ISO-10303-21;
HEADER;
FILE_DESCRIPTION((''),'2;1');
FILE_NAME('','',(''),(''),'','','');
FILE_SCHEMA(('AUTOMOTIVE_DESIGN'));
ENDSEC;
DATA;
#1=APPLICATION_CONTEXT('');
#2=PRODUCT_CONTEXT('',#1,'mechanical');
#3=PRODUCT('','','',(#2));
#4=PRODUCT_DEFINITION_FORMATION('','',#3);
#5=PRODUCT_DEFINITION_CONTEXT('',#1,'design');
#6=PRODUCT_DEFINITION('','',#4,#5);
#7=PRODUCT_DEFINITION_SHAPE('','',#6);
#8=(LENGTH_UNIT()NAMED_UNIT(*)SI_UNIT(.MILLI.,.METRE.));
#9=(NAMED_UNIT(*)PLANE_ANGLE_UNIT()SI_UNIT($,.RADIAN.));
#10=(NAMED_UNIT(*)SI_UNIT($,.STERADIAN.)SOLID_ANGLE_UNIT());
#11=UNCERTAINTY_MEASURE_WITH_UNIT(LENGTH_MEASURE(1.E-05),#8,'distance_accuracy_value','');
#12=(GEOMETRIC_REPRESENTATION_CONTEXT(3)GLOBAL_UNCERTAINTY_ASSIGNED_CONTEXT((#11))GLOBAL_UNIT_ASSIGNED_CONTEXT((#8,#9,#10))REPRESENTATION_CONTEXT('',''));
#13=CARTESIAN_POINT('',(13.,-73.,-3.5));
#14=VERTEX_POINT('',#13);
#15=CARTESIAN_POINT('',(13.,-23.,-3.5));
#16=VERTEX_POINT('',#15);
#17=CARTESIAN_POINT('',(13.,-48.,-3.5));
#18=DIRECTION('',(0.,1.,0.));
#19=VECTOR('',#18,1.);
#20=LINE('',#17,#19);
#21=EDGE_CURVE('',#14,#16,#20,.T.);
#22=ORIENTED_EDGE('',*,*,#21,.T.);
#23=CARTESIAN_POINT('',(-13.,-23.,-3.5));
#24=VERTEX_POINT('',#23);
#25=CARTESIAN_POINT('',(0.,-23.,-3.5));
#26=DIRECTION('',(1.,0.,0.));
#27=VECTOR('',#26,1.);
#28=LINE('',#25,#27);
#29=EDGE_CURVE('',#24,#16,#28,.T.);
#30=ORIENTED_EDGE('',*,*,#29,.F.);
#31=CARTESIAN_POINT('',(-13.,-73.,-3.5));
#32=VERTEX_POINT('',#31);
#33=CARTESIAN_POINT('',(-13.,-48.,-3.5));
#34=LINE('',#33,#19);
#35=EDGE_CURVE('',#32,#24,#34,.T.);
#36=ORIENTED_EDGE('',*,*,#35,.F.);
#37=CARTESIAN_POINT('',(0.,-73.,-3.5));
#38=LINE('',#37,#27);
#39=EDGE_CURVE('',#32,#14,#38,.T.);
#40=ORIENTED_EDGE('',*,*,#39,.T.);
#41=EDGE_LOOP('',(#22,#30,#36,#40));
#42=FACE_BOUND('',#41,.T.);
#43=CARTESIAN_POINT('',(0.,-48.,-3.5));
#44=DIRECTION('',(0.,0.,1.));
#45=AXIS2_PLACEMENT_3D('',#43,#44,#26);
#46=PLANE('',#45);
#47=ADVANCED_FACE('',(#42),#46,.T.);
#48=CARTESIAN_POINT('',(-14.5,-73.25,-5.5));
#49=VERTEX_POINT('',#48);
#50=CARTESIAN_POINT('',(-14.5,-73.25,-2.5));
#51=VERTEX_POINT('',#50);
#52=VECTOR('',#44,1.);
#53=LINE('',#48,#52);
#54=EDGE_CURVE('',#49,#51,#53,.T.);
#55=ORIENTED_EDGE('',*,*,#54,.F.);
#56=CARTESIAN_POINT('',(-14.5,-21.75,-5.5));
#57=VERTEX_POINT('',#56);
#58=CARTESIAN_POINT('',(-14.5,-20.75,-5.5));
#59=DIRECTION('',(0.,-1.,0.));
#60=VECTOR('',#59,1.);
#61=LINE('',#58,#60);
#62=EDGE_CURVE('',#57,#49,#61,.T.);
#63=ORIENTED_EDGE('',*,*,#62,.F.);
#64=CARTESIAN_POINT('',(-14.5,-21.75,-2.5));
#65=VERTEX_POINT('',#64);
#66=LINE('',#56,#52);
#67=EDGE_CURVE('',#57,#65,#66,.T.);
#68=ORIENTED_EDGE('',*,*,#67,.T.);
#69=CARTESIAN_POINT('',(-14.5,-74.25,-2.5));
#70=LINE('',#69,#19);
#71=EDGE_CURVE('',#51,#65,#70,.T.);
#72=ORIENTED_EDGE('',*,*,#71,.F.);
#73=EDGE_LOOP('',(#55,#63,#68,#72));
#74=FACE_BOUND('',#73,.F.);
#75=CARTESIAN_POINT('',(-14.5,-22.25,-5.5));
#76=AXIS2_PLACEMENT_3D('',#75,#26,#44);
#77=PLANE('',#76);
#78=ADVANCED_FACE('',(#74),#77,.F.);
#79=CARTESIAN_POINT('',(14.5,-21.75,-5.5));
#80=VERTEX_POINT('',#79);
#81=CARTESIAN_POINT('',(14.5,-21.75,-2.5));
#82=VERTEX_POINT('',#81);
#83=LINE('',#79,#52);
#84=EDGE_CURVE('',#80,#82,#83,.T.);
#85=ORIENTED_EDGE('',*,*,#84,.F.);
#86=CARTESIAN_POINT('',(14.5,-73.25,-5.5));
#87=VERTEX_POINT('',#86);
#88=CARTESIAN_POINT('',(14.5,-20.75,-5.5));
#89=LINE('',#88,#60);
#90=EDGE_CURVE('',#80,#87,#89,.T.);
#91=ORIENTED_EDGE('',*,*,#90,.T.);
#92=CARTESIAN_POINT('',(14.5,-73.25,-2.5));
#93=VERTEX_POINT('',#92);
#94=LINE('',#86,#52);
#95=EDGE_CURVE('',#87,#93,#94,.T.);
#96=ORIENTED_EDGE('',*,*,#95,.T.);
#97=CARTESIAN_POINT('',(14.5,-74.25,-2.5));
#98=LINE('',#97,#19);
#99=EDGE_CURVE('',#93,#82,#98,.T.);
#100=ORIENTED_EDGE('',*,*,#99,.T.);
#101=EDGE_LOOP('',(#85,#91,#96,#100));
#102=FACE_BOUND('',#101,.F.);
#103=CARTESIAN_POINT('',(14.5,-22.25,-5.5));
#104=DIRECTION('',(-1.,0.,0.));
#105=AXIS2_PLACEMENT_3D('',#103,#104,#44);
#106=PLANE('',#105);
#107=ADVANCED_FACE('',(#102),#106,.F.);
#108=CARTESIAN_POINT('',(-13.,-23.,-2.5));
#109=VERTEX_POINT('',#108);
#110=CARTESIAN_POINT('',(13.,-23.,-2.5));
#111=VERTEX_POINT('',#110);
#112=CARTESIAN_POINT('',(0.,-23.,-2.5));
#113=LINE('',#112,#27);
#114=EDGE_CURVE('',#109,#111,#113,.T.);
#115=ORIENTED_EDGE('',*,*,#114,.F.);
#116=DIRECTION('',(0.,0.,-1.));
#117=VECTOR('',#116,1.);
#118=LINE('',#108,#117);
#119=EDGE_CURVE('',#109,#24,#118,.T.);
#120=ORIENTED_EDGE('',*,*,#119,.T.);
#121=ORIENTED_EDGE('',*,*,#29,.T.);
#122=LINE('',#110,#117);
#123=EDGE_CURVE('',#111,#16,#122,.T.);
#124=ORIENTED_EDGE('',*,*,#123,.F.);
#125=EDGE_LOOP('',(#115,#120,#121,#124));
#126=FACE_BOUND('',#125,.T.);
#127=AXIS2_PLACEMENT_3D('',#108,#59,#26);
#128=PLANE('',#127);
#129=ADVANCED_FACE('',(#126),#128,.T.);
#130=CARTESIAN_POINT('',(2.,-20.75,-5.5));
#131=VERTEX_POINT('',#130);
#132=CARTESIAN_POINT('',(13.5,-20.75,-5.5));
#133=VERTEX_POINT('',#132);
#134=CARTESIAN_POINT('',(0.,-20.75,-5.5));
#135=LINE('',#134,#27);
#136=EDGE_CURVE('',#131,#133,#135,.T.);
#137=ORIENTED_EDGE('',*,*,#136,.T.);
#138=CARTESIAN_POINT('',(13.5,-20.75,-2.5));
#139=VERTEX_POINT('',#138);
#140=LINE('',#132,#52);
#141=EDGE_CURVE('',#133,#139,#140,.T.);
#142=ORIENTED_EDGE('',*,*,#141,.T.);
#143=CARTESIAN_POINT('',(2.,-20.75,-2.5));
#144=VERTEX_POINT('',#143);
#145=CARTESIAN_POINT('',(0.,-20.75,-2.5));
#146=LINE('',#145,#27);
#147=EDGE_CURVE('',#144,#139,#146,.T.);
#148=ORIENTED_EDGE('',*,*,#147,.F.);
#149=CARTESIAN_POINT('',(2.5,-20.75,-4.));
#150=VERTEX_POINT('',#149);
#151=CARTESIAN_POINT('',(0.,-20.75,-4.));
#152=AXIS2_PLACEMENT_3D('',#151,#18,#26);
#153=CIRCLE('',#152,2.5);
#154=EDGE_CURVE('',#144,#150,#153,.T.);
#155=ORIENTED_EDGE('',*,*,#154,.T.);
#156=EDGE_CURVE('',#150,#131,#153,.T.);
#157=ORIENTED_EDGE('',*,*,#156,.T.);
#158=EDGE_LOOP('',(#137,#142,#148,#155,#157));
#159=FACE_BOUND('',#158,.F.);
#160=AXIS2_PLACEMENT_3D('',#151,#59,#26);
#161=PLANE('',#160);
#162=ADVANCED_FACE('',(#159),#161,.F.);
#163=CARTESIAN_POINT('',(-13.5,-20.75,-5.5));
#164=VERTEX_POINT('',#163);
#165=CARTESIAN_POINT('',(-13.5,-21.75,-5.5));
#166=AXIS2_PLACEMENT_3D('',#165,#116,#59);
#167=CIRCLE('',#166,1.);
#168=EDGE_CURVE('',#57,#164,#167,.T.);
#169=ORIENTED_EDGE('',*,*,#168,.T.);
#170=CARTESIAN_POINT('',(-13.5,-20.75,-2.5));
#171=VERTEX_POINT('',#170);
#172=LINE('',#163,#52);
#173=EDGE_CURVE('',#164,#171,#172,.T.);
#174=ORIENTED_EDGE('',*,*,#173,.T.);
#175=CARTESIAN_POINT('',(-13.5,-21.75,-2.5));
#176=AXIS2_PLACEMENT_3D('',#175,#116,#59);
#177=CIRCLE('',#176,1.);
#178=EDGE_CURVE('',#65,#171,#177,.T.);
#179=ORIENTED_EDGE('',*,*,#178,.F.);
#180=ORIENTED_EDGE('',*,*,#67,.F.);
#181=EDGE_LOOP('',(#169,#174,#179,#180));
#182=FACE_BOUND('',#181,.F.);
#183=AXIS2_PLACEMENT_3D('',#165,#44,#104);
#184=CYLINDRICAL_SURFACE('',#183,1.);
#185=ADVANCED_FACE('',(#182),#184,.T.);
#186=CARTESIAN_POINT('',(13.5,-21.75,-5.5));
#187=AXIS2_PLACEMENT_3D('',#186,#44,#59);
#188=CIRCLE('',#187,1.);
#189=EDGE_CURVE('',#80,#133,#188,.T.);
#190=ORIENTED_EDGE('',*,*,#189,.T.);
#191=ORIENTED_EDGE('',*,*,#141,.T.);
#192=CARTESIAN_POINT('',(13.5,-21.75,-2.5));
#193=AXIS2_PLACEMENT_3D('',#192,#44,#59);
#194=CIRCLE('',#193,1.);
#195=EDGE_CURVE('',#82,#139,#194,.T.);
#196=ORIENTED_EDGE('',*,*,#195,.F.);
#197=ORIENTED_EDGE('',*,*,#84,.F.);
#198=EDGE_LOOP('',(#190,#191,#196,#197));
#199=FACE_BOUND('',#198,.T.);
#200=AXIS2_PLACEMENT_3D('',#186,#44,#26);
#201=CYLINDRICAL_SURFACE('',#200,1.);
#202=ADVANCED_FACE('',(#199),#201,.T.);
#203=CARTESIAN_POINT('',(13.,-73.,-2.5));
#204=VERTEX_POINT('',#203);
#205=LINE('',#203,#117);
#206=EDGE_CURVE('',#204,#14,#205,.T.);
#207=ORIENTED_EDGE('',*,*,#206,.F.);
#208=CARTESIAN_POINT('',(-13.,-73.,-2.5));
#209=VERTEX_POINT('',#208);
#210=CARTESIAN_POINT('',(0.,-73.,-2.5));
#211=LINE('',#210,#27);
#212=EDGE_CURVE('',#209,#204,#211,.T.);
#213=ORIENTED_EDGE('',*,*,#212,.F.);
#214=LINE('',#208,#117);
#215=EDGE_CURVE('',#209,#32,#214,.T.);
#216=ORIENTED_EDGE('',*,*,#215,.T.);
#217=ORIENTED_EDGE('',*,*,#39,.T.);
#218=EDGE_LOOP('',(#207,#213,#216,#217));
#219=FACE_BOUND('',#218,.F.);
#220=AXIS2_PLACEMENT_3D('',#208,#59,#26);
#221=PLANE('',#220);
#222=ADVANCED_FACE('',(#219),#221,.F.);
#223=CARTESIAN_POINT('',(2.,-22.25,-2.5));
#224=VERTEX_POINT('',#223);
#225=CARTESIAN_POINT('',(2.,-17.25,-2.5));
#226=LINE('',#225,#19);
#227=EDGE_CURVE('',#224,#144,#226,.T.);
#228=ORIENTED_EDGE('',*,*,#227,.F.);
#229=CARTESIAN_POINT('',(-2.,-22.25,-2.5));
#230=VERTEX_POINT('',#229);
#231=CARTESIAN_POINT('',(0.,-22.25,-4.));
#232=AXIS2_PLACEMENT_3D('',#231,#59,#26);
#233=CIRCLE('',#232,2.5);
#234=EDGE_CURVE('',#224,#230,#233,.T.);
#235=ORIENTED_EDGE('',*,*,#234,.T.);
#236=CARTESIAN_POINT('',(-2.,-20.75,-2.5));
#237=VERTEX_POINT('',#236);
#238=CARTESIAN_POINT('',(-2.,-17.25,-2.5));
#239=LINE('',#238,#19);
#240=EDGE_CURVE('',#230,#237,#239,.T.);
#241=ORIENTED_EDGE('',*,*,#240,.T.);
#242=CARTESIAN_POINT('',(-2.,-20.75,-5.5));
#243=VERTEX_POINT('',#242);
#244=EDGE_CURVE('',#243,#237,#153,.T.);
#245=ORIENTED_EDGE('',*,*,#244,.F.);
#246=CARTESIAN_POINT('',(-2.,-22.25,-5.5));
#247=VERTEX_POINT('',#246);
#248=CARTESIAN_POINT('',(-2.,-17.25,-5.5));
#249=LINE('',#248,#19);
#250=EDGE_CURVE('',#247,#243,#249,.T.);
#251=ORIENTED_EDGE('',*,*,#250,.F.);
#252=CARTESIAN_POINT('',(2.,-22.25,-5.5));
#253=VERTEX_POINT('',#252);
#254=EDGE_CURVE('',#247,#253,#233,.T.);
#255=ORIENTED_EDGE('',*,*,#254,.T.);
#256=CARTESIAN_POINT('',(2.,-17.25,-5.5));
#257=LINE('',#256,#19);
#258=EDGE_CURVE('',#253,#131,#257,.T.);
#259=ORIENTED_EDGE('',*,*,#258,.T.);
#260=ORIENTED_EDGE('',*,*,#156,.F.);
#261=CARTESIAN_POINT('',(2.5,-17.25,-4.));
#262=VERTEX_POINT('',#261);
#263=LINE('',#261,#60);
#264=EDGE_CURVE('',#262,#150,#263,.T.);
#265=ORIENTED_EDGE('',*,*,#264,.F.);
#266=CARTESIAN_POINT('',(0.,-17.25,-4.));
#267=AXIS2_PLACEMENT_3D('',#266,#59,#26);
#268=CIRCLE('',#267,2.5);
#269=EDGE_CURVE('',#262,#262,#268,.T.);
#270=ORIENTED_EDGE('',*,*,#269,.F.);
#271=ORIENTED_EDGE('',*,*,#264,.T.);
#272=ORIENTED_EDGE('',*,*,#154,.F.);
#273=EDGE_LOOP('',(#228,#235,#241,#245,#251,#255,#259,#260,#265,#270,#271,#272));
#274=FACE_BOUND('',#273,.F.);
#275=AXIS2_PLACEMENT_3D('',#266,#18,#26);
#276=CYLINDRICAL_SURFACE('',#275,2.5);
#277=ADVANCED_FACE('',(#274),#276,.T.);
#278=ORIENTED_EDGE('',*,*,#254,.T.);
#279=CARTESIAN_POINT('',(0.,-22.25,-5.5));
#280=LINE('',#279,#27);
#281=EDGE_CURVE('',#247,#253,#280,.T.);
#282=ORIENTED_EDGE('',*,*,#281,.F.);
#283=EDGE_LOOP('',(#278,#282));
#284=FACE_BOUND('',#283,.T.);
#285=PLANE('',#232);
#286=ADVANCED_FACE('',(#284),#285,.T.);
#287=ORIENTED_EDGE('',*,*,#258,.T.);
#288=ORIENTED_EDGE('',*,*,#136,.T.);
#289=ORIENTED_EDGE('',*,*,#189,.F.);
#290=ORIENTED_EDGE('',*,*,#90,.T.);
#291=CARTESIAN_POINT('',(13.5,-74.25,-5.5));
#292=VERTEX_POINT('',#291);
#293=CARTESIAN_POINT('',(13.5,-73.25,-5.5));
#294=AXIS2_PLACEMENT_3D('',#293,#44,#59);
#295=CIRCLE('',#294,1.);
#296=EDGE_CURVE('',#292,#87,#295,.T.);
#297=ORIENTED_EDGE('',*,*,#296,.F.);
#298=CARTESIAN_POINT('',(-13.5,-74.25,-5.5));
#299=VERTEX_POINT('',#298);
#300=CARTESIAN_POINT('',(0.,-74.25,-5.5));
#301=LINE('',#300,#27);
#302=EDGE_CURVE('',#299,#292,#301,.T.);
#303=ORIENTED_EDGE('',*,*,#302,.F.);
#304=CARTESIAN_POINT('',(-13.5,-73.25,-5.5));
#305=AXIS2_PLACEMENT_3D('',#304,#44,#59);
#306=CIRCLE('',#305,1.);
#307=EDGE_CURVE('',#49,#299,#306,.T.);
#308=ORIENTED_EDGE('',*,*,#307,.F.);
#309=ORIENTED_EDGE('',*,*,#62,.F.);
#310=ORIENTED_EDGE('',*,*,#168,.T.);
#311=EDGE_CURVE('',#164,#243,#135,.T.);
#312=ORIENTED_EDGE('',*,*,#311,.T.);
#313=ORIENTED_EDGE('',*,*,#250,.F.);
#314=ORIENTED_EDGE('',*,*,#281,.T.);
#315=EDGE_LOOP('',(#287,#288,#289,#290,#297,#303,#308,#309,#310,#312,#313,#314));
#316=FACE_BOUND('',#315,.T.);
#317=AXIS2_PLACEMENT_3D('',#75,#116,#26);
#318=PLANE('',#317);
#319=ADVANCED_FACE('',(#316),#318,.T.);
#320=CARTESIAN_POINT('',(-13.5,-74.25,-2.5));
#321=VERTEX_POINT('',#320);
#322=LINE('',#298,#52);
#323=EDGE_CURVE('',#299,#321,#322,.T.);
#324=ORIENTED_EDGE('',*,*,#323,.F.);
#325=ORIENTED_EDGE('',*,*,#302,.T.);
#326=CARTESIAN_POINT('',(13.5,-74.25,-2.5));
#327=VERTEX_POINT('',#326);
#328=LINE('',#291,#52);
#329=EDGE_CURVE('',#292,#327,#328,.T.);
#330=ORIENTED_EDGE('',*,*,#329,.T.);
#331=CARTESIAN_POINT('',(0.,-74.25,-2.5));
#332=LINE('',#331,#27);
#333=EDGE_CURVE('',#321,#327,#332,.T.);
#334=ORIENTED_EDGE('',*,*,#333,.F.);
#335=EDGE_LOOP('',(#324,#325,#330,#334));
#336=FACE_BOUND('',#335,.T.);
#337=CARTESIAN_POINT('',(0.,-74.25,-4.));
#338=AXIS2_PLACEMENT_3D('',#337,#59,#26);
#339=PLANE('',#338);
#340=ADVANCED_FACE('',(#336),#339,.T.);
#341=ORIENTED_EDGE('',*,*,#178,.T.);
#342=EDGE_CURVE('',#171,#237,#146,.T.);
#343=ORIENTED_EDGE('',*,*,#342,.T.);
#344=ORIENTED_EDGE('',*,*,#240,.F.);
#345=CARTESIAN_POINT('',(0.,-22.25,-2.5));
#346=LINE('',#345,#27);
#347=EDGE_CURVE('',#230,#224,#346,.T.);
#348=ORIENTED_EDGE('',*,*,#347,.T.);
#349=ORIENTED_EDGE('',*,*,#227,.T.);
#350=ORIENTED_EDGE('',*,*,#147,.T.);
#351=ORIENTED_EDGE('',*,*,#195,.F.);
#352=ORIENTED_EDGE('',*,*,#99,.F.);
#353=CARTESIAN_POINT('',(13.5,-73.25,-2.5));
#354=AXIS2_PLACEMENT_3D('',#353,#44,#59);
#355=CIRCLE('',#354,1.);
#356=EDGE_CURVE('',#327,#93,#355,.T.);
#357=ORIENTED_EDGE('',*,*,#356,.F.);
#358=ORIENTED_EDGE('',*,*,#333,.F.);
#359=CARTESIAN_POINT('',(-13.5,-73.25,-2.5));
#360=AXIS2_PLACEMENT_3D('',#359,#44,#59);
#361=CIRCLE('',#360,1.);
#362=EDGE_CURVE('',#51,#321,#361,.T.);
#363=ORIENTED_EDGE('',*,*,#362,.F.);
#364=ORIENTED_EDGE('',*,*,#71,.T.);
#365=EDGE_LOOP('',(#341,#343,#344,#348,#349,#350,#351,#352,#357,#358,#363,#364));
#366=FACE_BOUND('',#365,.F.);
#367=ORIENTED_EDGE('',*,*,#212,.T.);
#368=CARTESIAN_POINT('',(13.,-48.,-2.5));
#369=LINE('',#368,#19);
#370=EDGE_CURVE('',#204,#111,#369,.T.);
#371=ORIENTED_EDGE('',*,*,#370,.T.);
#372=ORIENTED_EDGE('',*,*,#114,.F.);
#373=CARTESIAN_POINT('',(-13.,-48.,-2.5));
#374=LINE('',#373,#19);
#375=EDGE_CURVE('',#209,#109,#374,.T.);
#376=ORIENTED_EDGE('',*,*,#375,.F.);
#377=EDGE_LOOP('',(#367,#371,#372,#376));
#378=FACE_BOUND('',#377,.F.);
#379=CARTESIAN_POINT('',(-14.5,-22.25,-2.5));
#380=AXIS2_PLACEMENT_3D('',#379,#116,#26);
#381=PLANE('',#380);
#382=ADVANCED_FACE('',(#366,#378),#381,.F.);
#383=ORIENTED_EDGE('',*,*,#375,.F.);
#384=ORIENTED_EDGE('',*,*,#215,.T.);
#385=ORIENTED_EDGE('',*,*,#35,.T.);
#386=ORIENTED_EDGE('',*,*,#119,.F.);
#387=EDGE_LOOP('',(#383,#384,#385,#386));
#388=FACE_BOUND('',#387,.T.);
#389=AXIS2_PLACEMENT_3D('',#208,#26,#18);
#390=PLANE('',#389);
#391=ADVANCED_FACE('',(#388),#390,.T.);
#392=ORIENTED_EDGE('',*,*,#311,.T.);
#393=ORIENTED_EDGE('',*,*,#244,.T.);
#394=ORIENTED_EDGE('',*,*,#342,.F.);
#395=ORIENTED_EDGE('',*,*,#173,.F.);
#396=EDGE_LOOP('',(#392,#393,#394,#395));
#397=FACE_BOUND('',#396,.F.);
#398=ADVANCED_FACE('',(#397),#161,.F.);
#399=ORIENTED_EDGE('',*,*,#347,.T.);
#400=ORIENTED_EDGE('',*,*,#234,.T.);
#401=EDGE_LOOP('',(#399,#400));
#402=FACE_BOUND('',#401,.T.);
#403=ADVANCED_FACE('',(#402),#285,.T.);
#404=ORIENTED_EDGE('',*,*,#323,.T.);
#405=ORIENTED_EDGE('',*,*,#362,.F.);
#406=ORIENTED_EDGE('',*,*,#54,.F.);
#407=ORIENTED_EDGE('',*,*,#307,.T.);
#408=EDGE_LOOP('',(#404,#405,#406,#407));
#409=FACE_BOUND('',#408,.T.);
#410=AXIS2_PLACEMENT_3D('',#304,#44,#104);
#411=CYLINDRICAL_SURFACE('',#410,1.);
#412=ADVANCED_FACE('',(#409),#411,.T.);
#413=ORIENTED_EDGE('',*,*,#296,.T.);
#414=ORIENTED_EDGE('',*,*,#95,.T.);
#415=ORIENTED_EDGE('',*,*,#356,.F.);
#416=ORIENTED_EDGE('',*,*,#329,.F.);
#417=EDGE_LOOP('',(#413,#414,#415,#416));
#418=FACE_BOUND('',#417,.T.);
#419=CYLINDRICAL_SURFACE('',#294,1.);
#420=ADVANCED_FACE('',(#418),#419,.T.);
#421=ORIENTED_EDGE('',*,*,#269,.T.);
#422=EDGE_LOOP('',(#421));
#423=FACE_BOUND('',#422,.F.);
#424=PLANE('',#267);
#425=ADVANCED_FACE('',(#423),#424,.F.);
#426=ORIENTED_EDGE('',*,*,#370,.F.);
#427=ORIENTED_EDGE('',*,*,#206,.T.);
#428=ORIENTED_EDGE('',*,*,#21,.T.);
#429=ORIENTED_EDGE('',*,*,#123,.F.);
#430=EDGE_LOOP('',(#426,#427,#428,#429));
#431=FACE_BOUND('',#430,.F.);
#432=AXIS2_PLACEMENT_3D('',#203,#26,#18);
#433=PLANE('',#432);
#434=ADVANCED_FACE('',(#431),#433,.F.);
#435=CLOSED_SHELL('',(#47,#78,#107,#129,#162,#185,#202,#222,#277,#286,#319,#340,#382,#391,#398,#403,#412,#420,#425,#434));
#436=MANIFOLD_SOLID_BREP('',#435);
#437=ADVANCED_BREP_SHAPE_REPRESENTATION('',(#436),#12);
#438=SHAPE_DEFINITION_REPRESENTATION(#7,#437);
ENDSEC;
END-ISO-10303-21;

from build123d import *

# Parameters (mm, degrees)
SKETCH005_R       = 2.5
PAD004_DEPTH      = 5
SKETCH006_W       = 29
SKETCH006_H       = 3
PAD005_DEPTH      = 52
PAD005_DEPTH_BACK = 1.5
FILLET001_R       = 1
SKETCH009_W       = 26
SKETCH009_H       = 50
POCKET_DEPTH      = 1


with BuildPart() as part:
    # Sketch005 (on Face1 of CopyPad003) → Pad004 (new body)
    with BuildSketch(Plane.XZ.offset(17.25)):
        with Locations((0, -4)):
            Circle(SKETCH005_R)
    extrude(amount=PAD004_DEPTH)

    # Sketch006 (on Face3 of Pad004) → Pad005 (join, two sides)
    with BuildSketch(Plane.XZ.offset(22.25)) as pad005_sk:
        with Locations((0, -4)):
            Rectangle(SKETCH006_W, SKETCH006_H)
    extrude(amount=PAD005_DEPTH)
    extrude(pad005_sk.sketch, amount=-PAD005_DEPTH_BACK)

    # Fillet001
    fillet001_edges = [part.edges().sort_by_distance(p)[0] for p in [
        (14.5, -74.25, -4),
        (-14.5, -20.75, -4),
        (-14.5, -74.25, -4),
        (14.5, -20.75, -4),
    ]]
    fillet(fillet001_edges, radius=FILLET001_R)

    # Sketch009 (on Face2 of Fillet001) → Pocket (cut)
    with BuildSketch(Plane.XY.offset(-2.5)):
        with Locations((0, -48)):
            Rectangle(SKETCH009_W, SKETCH009_H)
    extrude(amount=-POCKET_DEPTH, mode=Mode.SUBTRACT)


solid = part.part
